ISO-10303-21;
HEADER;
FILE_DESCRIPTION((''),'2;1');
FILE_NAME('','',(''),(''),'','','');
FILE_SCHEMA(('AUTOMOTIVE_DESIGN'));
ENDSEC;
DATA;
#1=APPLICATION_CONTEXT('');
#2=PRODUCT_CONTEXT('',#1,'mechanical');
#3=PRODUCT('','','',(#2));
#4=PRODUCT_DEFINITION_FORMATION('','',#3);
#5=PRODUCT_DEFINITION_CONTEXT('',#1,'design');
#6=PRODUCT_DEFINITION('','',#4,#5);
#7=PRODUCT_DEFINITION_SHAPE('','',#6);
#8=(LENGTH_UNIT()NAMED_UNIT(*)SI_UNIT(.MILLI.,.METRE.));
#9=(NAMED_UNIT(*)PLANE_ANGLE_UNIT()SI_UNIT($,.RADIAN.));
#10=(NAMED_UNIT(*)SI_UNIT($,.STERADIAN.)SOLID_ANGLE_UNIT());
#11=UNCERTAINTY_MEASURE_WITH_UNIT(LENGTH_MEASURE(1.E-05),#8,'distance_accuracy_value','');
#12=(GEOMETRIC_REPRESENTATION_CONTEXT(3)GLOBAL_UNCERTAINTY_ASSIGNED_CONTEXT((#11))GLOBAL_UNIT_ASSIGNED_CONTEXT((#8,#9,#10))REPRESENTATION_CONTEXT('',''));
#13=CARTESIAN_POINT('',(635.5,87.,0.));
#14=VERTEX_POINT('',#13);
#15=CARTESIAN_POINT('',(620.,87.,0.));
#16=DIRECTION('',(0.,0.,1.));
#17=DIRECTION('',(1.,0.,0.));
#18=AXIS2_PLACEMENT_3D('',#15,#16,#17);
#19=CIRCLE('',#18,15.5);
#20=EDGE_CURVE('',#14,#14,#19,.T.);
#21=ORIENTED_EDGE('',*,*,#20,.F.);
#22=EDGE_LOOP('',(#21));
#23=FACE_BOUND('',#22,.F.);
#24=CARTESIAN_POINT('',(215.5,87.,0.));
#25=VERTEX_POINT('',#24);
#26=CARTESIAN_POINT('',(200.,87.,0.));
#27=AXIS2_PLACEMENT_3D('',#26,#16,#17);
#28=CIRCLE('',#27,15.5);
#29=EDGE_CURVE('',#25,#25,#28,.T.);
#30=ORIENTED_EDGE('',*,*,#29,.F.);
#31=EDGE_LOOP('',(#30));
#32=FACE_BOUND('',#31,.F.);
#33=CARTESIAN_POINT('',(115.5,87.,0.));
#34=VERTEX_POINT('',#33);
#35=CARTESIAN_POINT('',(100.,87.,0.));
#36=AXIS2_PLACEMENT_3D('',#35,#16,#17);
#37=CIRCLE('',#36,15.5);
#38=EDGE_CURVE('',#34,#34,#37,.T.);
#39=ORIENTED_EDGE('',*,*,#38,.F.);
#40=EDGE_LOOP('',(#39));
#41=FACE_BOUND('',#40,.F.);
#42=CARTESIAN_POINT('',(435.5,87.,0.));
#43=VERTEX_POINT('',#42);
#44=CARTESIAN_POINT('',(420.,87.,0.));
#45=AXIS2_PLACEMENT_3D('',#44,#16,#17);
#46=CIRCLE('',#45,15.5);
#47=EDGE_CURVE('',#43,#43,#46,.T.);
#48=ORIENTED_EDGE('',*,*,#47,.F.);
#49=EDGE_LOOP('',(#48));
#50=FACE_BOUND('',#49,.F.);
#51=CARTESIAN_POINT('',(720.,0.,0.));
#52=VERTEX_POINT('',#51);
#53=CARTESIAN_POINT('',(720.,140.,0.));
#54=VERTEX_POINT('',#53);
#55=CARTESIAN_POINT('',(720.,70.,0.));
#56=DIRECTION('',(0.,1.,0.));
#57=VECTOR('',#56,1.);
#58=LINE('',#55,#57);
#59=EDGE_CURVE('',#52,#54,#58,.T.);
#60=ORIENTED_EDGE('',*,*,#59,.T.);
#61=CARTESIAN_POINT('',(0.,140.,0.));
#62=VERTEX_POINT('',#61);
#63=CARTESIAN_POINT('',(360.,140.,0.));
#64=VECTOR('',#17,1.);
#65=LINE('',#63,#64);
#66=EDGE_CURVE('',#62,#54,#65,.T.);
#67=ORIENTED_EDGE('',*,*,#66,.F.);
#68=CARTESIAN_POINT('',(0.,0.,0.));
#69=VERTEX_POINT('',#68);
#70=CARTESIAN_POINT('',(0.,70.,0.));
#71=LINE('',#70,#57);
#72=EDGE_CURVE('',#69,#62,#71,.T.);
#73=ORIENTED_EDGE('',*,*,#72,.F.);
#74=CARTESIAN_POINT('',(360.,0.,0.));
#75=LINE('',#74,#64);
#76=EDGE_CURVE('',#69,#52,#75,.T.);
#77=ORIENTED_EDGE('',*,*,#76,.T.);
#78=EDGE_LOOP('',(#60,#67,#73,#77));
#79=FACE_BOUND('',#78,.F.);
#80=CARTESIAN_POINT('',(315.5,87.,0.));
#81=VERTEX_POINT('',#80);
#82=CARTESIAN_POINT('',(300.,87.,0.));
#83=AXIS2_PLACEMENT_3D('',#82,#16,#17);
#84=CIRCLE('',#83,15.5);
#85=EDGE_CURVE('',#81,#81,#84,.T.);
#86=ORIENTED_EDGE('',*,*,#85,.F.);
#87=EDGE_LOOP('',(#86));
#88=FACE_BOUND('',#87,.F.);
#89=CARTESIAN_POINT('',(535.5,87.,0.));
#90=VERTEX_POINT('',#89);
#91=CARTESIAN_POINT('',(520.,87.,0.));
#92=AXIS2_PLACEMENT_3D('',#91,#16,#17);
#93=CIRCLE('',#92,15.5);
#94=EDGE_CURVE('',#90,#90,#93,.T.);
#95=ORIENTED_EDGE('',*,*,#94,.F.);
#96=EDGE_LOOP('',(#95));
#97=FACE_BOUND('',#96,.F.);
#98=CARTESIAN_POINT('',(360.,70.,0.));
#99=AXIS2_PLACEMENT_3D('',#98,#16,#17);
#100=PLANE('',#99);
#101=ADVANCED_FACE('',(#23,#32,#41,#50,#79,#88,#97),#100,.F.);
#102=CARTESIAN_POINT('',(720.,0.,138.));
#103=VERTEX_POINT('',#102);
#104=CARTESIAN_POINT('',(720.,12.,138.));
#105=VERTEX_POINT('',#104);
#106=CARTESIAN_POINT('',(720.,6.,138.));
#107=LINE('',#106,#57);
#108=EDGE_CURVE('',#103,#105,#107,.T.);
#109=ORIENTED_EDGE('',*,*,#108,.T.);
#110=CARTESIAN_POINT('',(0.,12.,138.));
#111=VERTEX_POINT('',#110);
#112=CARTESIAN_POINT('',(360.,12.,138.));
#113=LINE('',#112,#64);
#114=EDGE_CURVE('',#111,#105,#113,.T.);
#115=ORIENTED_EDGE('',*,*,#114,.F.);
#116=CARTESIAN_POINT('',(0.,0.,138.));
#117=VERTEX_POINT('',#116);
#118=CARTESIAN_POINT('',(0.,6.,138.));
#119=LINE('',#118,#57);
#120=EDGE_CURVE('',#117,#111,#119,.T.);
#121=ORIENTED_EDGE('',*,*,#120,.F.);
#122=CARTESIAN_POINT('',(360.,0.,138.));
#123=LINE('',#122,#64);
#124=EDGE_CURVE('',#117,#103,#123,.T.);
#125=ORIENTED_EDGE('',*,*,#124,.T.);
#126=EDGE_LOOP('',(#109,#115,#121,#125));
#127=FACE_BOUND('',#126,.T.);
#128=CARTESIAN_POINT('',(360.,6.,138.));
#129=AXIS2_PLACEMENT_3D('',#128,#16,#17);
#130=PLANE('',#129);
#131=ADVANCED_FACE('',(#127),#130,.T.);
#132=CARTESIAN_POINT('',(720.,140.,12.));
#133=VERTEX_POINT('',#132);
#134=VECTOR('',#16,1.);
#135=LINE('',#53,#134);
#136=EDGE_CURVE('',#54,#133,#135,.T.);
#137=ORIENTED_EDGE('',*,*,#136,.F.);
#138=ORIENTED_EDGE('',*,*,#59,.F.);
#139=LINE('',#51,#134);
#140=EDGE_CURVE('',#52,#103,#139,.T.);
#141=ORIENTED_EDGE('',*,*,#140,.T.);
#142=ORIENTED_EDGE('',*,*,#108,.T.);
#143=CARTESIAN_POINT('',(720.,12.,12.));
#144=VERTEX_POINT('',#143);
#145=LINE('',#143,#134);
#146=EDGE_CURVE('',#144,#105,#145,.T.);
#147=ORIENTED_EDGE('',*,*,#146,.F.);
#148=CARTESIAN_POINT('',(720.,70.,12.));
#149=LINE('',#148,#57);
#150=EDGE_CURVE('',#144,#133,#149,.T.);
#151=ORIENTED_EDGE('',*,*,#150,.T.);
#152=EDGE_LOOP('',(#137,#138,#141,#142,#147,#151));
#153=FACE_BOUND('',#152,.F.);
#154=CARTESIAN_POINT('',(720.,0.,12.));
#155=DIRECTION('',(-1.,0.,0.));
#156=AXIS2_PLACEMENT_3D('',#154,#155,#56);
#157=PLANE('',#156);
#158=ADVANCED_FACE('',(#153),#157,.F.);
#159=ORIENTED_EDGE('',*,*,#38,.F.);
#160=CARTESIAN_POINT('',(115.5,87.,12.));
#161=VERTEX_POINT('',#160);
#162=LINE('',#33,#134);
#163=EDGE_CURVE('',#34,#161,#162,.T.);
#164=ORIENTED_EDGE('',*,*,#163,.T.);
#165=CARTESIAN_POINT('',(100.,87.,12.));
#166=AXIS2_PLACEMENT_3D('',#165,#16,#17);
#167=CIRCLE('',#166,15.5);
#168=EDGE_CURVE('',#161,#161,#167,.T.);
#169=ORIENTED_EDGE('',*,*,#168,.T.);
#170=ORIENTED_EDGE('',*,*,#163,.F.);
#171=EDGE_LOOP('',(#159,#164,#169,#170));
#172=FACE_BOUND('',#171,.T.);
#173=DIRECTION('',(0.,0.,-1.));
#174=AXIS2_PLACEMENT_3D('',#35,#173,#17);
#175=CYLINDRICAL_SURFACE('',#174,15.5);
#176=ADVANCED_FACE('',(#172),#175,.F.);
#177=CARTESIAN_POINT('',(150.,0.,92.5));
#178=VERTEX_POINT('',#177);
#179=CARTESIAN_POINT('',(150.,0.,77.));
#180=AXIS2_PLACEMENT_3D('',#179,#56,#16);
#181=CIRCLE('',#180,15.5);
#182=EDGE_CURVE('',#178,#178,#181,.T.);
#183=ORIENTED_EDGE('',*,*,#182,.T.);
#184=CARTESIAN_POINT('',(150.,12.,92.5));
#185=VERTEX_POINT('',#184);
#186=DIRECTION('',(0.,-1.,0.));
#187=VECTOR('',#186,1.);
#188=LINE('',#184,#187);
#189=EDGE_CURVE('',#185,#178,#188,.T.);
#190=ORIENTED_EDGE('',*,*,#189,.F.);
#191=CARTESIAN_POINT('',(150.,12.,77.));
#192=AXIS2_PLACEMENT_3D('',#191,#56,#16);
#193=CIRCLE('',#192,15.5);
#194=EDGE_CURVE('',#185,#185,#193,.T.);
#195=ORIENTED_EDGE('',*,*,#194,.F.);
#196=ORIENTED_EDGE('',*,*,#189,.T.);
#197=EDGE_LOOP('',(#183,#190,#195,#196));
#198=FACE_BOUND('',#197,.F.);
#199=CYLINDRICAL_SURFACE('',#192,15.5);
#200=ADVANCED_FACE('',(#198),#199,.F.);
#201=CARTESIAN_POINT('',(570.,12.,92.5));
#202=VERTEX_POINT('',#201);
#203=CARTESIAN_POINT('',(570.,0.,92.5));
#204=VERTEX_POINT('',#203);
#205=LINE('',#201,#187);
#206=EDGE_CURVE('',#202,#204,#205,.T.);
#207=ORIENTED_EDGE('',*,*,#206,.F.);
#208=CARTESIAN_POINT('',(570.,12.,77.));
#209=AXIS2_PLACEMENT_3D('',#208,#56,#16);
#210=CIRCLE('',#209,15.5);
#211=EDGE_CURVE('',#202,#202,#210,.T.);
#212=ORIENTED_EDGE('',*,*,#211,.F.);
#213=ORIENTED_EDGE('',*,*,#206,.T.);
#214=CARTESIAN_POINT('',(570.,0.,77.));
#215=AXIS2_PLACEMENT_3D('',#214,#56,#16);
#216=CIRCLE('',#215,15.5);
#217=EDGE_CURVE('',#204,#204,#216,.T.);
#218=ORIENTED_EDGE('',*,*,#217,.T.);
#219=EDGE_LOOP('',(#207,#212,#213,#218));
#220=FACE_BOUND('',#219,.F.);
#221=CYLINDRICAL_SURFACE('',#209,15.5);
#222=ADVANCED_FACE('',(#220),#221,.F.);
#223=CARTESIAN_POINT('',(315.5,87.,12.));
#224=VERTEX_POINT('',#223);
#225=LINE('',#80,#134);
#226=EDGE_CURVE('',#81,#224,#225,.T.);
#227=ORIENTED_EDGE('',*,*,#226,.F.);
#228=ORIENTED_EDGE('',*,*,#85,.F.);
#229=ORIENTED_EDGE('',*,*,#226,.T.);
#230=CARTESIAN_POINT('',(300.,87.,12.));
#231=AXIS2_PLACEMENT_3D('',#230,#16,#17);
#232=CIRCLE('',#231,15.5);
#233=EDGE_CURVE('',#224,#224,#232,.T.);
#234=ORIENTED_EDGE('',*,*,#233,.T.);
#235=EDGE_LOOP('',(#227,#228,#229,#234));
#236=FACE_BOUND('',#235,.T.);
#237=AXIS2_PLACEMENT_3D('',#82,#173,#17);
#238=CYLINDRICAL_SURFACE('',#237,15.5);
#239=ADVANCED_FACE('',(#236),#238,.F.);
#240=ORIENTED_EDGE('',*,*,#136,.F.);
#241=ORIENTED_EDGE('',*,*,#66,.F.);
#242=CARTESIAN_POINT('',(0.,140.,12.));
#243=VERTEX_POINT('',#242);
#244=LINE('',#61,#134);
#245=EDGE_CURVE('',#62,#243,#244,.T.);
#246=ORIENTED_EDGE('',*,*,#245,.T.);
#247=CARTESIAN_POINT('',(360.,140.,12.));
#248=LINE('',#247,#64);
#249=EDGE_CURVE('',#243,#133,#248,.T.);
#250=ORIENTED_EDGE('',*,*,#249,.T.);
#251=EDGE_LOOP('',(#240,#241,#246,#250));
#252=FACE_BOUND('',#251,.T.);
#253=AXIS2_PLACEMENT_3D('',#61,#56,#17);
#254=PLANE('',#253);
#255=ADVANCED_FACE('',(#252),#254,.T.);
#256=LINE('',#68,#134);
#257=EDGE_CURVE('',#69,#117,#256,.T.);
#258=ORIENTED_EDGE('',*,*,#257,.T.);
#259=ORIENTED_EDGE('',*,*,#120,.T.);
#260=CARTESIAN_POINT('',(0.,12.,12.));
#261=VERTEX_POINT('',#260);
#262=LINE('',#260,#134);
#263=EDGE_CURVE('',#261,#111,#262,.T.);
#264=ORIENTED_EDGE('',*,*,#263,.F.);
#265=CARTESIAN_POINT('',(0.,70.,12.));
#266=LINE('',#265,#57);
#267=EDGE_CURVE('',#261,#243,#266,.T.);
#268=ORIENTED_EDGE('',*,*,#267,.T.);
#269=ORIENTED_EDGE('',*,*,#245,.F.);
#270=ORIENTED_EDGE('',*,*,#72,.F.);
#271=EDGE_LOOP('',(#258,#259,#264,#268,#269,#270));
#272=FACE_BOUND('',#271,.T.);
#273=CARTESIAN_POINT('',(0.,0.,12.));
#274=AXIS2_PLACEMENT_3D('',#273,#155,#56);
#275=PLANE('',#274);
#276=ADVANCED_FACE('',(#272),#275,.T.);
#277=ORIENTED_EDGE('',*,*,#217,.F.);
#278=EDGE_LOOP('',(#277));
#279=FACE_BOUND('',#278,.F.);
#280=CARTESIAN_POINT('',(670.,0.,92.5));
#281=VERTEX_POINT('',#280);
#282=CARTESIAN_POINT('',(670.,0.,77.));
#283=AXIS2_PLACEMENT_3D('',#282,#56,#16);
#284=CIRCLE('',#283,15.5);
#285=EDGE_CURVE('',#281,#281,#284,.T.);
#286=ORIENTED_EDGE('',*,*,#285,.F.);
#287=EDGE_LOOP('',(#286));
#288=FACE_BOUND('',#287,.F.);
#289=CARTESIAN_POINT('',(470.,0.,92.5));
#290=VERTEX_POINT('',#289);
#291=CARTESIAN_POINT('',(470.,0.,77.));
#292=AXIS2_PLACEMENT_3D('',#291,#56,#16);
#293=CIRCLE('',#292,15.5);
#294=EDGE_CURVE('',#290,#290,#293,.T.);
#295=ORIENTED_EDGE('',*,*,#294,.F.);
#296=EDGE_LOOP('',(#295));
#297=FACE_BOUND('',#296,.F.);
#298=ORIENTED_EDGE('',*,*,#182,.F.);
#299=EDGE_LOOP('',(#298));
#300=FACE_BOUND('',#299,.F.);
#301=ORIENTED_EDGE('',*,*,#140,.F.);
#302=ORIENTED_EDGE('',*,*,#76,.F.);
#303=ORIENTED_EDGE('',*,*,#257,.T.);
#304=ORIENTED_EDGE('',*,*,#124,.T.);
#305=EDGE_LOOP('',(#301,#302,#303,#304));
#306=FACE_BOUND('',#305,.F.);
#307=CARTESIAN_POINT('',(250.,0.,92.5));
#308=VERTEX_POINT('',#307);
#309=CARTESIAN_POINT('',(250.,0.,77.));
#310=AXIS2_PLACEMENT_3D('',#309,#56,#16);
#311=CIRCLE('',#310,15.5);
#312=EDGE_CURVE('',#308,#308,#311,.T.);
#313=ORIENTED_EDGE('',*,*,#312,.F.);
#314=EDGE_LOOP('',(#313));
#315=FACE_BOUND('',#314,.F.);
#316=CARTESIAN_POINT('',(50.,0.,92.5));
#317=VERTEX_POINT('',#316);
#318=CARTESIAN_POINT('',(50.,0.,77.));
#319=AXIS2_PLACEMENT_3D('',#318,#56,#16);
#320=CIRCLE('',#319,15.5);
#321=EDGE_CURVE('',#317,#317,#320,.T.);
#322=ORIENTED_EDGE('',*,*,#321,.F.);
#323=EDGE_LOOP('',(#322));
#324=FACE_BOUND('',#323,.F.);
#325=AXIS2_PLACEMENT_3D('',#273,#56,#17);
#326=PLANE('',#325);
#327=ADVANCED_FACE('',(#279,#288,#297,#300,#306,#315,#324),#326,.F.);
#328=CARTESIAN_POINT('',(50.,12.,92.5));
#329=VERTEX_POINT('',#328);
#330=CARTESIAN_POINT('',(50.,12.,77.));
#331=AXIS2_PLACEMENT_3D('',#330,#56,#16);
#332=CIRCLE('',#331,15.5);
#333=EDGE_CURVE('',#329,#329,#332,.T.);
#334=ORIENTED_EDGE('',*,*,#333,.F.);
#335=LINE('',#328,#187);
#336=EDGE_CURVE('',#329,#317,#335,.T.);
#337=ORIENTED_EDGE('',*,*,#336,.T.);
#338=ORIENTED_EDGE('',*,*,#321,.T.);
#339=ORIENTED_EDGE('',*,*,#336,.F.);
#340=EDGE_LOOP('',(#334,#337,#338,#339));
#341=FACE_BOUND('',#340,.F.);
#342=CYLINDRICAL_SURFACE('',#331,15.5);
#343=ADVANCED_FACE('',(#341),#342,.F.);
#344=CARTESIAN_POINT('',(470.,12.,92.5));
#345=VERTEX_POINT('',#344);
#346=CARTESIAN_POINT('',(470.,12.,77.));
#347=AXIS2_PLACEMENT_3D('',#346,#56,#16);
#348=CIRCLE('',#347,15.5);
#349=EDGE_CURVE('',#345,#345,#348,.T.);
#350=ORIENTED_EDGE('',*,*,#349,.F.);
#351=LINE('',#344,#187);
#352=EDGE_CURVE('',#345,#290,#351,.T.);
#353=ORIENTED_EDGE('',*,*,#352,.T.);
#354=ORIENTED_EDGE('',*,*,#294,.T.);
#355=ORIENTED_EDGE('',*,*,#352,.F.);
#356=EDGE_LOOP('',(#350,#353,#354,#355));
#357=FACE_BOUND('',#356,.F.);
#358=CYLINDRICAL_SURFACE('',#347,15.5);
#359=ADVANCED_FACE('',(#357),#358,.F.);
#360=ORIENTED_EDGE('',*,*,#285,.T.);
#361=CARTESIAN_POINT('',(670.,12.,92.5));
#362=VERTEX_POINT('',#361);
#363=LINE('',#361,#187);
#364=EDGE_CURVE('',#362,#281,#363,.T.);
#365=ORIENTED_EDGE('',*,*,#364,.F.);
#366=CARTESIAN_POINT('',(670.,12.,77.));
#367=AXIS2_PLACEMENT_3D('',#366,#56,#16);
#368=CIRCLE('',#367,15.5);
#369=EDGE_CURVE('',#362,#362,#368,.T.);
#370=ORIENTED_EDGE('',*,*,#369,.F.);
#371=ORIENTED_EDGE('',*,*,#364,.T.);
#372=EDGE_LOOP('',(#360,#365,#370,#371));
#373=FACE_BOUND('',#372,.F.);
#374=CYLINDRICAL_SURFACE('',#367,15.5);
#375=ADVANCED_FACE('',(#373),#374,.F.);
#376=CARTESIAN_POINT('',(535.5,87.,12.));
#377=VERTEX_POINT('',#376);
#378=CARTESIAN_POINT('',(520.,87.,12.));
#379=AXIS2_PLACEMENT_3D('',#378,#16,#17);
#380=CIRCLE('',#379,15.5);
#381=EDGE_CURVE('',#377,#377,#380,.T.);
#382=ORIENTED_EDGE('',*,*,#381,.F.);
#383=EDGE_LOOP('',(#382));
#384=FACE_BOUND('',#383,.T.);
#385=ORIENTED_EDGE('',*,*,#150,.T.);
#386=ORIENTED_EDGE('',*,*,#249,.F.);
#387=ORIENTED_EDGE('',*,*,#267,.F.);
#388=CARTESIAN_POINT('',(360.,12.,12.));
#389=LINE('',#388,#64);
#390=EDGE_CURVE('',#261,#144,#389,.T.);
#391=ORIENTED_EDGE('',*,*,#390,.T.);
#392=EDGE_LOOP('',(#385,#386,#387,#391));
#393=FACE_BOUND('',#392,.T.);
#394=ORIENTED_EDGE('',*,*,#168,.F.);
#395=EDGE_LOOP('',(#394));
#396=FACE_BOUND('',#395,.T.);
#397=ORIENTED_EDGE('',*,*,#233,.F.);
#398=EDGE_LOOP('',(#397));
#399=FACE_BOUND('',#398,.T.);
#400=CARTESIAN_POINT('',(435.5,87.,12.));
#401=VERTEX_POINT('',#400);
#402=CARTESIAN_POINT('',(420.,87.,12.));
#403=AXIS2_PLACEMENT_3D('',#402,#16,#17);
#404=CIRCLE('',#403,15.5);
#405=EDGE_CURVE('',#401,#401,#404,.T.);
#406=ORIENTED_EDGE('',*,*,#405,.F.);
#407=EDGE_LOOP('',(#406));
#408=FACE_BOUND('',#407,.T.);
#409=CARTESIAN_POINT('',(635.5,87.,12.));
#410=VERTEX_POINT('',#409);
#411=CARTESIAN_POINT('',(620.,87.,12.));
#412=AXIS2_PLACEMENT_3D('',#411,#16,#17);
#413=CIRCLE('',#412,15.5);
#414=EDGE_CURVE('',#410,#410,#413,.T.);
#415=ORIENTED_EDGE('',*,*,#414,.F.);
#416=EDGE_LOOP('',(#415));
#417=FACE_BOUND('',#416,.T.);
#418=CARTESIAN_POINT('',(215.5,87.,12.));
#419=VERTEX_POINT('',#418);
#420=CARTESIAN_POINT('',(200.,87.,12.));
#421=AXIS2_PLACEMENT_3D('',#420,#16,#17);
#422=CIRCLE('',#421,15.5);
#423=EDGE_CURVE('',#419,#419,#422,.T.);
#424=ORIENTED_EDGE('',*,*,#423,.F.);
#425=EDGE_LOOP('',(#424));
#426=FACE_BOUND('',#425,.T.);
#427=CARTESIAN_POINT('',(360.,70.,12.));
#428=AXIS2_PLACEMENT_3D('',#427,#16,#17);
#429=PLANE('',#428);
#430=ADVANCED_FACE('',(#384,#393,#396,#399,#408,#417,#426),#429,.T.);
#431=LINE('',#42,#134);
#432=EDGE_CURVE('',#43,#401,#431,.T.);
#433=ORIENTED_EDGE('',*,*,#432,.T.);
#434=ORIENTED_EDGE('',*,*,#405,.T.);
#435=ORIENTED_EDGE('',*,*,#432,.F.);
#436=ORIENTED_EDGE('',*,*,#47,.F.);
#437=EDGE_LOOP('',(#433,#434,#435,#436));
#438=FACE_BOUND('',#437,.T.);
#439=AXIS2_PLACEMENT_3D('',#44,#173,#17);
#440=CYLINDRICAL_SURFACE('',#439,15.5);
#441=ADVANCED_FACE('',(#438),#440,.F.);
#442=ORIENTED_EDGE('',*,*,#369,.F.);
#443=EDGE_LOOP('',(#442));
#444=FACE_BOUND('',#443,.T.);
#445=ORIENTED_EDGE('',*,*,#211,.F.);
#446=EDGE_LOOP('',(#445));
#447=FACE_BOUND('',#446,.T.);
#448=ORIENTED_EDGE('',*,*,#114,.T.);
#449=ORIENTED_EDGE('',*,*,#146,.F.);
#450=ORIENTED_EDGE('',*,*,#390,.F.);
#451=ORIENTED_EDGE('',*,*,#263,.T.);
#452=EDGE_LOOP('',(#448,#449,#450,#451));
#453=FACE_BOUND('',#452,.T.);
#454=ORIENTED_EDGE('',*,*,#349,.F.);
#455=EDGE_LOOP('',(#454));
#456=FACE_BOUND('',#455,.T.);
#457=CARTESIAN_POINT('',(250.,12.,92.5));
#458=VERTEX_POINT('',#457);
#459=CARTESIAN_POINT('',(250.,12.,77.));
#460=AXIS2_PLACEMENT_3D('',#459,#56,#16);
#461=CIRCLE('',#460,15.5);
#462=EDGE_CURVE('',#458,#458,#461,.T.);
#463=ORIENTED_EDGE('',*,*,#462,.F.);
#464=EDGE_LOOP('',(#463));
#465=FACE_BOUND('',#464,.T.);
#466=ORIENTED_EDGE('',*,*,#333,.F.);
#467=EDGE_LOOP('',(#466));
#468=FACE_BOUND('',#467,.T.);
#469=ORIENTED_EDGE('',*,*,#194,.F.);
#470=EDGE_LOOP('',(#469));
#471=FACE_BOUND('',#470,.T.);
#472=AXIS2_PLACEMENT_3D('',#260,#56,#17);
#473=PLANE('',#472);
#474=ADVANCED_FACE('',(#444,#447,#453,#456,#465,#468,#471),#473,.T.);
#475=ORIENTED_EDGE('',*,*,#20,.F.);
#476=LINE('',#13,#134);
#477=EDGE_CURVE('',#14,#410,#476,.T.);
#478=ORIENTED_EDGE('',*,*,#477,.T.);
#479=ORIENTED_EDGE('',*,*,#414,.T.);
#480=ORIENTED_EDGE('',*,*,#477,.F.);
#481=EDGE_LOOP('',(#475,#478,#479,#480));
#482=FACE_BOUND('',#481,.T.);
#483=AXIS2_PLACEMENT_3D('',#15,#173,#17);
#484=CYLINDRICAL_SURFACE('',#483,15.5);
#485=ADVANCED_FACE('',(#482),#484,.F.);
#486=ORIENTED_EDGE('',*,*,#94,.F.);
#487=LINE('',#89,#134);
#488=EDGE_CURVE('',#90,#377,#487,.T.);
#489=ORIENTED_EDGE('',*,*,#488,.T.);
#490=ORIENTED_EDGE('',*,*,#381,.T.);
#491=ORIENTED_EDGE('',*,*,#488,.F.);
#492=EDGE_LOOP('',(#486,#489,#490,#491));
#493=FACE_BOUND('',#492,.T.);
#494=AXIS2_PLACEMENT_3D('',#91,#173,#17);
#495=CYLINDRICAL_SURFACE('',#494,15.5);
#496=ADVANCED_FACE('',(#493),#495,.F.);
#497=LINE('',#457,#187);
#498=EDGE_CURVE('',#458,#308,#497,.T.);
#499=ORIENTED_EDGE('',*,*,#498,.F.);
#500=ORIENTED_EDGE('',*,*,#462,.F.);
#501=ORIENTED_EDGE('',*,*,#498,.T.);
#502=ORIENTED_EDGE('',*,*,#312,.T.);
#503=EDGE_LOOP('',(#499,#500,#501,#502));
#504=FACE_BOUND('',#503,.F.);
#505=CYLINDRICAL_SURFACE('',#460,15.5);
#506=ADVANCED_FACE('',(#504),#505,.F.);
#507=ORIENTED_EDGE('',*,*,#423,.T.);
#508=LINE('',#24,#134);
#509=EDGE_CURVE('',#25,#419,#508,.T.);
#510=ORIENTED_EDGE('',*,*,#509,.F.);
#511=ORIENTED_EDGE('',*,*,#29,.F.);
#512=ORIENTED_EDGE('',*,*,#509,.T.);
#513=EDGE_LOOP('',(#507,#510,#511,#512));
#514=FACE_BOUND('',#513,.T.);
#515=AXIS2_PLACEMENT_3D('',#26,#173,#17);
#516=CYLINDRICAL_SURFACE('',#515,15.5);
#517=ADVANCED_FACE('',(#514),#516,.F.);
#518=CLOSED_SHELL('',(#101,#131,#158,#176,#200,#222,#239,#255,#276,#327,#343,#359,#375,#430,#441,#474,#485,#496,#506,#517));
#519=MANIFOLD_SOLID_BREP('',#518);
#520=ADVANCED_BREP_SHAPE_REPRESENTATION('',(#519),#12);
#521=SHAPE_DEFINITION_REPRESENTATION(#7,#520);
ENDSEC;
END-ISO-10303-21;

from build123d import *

# Parameters (mm, degrees)
SKETCH1_W      = 720
SKETCH1_H      = 140
SKETCH1_R      = 15.5
EXTRUDE1_DEPTH = 12
SKETCH2_W      = 720
SKETCH2_H      = 12
EXTRUDE2_DEPTH = 126
SKETCH3_R      = 15.5
EXTRUDE3_DEPTH = 168


with BuildPart() as part:
    # Sketch1 → Extrude1 (new body)
    with BuildSketch(Plane.XY):
        with Locations((360, 70)):
            Rectangle(SKETCH1_W, SKETCH1_H)
        with Locations((100, 87)):
            Circle(SKETCH1_R, mode=Mode.SUBTRACT)
        with Locations((200, 87)):
            Circle(SKETCH1_R, mode=Mode.SUBTRACT)
        with Locations((300, 87)):
            Circle(SKETCH1_R, mode=Mode.SUBTRACT)
        with Locations((520, 87)):
            Circle(SKETCH1_R, mode=Mode.SUBTRACT)
        with Locations((620, 87)):
            Circle(SKETCH1_R, mode=Mode.SUBTRACT)
        with Locations((420, 87)):
            Circle(SKETCH1_R, mode=Mode.SUBTRACT)
    extrude(amount=EXTRUDE1_DEPTH)

    # Sketch2 → Extrude2 (add)
    with BuildSketch(Plane.XY.offset(12)):
        with Locations((360, 6)):
            Rectangle(SKETCH2_W, SKETCH2_H)
    extrude(amount=EXTRUDE2_DEPTH)

    # Sketch3 → Extrude3 (cut)
    with BuildSketch(Plane(origin=(0, 12, 0), x_dir=(1, 0, 0), z_dir=(0, 1, 0))):
        with Locations(Location((50, -77, 0), (0, 0, 270))):
            Circle(SKETCH3_R)
        with Locations(Location((150, -77, 0), (0, 0, 270))):
            Circle(SKETCH3_R)
        with Locations(Location((250, -77, 0), (0, 0, 270))):
            Circle(SKETCH3_R)
        with Locations(Location((670, -77, 0), (0, 0, 270))):
            Circle(SKETCH3_R)
        with Locations(Location((470, -77, 0), (0, 0, 270))):
            Circle(SKETCH3_R)
        with Locations(Location((570, -77, 0), (0, 0, 270))):
            Circle(SKETCH3_R)
    extrude(amount=-EXTRUDE3_DEPTH, mode=Mode.SUBTRACT)


solid = part.part
